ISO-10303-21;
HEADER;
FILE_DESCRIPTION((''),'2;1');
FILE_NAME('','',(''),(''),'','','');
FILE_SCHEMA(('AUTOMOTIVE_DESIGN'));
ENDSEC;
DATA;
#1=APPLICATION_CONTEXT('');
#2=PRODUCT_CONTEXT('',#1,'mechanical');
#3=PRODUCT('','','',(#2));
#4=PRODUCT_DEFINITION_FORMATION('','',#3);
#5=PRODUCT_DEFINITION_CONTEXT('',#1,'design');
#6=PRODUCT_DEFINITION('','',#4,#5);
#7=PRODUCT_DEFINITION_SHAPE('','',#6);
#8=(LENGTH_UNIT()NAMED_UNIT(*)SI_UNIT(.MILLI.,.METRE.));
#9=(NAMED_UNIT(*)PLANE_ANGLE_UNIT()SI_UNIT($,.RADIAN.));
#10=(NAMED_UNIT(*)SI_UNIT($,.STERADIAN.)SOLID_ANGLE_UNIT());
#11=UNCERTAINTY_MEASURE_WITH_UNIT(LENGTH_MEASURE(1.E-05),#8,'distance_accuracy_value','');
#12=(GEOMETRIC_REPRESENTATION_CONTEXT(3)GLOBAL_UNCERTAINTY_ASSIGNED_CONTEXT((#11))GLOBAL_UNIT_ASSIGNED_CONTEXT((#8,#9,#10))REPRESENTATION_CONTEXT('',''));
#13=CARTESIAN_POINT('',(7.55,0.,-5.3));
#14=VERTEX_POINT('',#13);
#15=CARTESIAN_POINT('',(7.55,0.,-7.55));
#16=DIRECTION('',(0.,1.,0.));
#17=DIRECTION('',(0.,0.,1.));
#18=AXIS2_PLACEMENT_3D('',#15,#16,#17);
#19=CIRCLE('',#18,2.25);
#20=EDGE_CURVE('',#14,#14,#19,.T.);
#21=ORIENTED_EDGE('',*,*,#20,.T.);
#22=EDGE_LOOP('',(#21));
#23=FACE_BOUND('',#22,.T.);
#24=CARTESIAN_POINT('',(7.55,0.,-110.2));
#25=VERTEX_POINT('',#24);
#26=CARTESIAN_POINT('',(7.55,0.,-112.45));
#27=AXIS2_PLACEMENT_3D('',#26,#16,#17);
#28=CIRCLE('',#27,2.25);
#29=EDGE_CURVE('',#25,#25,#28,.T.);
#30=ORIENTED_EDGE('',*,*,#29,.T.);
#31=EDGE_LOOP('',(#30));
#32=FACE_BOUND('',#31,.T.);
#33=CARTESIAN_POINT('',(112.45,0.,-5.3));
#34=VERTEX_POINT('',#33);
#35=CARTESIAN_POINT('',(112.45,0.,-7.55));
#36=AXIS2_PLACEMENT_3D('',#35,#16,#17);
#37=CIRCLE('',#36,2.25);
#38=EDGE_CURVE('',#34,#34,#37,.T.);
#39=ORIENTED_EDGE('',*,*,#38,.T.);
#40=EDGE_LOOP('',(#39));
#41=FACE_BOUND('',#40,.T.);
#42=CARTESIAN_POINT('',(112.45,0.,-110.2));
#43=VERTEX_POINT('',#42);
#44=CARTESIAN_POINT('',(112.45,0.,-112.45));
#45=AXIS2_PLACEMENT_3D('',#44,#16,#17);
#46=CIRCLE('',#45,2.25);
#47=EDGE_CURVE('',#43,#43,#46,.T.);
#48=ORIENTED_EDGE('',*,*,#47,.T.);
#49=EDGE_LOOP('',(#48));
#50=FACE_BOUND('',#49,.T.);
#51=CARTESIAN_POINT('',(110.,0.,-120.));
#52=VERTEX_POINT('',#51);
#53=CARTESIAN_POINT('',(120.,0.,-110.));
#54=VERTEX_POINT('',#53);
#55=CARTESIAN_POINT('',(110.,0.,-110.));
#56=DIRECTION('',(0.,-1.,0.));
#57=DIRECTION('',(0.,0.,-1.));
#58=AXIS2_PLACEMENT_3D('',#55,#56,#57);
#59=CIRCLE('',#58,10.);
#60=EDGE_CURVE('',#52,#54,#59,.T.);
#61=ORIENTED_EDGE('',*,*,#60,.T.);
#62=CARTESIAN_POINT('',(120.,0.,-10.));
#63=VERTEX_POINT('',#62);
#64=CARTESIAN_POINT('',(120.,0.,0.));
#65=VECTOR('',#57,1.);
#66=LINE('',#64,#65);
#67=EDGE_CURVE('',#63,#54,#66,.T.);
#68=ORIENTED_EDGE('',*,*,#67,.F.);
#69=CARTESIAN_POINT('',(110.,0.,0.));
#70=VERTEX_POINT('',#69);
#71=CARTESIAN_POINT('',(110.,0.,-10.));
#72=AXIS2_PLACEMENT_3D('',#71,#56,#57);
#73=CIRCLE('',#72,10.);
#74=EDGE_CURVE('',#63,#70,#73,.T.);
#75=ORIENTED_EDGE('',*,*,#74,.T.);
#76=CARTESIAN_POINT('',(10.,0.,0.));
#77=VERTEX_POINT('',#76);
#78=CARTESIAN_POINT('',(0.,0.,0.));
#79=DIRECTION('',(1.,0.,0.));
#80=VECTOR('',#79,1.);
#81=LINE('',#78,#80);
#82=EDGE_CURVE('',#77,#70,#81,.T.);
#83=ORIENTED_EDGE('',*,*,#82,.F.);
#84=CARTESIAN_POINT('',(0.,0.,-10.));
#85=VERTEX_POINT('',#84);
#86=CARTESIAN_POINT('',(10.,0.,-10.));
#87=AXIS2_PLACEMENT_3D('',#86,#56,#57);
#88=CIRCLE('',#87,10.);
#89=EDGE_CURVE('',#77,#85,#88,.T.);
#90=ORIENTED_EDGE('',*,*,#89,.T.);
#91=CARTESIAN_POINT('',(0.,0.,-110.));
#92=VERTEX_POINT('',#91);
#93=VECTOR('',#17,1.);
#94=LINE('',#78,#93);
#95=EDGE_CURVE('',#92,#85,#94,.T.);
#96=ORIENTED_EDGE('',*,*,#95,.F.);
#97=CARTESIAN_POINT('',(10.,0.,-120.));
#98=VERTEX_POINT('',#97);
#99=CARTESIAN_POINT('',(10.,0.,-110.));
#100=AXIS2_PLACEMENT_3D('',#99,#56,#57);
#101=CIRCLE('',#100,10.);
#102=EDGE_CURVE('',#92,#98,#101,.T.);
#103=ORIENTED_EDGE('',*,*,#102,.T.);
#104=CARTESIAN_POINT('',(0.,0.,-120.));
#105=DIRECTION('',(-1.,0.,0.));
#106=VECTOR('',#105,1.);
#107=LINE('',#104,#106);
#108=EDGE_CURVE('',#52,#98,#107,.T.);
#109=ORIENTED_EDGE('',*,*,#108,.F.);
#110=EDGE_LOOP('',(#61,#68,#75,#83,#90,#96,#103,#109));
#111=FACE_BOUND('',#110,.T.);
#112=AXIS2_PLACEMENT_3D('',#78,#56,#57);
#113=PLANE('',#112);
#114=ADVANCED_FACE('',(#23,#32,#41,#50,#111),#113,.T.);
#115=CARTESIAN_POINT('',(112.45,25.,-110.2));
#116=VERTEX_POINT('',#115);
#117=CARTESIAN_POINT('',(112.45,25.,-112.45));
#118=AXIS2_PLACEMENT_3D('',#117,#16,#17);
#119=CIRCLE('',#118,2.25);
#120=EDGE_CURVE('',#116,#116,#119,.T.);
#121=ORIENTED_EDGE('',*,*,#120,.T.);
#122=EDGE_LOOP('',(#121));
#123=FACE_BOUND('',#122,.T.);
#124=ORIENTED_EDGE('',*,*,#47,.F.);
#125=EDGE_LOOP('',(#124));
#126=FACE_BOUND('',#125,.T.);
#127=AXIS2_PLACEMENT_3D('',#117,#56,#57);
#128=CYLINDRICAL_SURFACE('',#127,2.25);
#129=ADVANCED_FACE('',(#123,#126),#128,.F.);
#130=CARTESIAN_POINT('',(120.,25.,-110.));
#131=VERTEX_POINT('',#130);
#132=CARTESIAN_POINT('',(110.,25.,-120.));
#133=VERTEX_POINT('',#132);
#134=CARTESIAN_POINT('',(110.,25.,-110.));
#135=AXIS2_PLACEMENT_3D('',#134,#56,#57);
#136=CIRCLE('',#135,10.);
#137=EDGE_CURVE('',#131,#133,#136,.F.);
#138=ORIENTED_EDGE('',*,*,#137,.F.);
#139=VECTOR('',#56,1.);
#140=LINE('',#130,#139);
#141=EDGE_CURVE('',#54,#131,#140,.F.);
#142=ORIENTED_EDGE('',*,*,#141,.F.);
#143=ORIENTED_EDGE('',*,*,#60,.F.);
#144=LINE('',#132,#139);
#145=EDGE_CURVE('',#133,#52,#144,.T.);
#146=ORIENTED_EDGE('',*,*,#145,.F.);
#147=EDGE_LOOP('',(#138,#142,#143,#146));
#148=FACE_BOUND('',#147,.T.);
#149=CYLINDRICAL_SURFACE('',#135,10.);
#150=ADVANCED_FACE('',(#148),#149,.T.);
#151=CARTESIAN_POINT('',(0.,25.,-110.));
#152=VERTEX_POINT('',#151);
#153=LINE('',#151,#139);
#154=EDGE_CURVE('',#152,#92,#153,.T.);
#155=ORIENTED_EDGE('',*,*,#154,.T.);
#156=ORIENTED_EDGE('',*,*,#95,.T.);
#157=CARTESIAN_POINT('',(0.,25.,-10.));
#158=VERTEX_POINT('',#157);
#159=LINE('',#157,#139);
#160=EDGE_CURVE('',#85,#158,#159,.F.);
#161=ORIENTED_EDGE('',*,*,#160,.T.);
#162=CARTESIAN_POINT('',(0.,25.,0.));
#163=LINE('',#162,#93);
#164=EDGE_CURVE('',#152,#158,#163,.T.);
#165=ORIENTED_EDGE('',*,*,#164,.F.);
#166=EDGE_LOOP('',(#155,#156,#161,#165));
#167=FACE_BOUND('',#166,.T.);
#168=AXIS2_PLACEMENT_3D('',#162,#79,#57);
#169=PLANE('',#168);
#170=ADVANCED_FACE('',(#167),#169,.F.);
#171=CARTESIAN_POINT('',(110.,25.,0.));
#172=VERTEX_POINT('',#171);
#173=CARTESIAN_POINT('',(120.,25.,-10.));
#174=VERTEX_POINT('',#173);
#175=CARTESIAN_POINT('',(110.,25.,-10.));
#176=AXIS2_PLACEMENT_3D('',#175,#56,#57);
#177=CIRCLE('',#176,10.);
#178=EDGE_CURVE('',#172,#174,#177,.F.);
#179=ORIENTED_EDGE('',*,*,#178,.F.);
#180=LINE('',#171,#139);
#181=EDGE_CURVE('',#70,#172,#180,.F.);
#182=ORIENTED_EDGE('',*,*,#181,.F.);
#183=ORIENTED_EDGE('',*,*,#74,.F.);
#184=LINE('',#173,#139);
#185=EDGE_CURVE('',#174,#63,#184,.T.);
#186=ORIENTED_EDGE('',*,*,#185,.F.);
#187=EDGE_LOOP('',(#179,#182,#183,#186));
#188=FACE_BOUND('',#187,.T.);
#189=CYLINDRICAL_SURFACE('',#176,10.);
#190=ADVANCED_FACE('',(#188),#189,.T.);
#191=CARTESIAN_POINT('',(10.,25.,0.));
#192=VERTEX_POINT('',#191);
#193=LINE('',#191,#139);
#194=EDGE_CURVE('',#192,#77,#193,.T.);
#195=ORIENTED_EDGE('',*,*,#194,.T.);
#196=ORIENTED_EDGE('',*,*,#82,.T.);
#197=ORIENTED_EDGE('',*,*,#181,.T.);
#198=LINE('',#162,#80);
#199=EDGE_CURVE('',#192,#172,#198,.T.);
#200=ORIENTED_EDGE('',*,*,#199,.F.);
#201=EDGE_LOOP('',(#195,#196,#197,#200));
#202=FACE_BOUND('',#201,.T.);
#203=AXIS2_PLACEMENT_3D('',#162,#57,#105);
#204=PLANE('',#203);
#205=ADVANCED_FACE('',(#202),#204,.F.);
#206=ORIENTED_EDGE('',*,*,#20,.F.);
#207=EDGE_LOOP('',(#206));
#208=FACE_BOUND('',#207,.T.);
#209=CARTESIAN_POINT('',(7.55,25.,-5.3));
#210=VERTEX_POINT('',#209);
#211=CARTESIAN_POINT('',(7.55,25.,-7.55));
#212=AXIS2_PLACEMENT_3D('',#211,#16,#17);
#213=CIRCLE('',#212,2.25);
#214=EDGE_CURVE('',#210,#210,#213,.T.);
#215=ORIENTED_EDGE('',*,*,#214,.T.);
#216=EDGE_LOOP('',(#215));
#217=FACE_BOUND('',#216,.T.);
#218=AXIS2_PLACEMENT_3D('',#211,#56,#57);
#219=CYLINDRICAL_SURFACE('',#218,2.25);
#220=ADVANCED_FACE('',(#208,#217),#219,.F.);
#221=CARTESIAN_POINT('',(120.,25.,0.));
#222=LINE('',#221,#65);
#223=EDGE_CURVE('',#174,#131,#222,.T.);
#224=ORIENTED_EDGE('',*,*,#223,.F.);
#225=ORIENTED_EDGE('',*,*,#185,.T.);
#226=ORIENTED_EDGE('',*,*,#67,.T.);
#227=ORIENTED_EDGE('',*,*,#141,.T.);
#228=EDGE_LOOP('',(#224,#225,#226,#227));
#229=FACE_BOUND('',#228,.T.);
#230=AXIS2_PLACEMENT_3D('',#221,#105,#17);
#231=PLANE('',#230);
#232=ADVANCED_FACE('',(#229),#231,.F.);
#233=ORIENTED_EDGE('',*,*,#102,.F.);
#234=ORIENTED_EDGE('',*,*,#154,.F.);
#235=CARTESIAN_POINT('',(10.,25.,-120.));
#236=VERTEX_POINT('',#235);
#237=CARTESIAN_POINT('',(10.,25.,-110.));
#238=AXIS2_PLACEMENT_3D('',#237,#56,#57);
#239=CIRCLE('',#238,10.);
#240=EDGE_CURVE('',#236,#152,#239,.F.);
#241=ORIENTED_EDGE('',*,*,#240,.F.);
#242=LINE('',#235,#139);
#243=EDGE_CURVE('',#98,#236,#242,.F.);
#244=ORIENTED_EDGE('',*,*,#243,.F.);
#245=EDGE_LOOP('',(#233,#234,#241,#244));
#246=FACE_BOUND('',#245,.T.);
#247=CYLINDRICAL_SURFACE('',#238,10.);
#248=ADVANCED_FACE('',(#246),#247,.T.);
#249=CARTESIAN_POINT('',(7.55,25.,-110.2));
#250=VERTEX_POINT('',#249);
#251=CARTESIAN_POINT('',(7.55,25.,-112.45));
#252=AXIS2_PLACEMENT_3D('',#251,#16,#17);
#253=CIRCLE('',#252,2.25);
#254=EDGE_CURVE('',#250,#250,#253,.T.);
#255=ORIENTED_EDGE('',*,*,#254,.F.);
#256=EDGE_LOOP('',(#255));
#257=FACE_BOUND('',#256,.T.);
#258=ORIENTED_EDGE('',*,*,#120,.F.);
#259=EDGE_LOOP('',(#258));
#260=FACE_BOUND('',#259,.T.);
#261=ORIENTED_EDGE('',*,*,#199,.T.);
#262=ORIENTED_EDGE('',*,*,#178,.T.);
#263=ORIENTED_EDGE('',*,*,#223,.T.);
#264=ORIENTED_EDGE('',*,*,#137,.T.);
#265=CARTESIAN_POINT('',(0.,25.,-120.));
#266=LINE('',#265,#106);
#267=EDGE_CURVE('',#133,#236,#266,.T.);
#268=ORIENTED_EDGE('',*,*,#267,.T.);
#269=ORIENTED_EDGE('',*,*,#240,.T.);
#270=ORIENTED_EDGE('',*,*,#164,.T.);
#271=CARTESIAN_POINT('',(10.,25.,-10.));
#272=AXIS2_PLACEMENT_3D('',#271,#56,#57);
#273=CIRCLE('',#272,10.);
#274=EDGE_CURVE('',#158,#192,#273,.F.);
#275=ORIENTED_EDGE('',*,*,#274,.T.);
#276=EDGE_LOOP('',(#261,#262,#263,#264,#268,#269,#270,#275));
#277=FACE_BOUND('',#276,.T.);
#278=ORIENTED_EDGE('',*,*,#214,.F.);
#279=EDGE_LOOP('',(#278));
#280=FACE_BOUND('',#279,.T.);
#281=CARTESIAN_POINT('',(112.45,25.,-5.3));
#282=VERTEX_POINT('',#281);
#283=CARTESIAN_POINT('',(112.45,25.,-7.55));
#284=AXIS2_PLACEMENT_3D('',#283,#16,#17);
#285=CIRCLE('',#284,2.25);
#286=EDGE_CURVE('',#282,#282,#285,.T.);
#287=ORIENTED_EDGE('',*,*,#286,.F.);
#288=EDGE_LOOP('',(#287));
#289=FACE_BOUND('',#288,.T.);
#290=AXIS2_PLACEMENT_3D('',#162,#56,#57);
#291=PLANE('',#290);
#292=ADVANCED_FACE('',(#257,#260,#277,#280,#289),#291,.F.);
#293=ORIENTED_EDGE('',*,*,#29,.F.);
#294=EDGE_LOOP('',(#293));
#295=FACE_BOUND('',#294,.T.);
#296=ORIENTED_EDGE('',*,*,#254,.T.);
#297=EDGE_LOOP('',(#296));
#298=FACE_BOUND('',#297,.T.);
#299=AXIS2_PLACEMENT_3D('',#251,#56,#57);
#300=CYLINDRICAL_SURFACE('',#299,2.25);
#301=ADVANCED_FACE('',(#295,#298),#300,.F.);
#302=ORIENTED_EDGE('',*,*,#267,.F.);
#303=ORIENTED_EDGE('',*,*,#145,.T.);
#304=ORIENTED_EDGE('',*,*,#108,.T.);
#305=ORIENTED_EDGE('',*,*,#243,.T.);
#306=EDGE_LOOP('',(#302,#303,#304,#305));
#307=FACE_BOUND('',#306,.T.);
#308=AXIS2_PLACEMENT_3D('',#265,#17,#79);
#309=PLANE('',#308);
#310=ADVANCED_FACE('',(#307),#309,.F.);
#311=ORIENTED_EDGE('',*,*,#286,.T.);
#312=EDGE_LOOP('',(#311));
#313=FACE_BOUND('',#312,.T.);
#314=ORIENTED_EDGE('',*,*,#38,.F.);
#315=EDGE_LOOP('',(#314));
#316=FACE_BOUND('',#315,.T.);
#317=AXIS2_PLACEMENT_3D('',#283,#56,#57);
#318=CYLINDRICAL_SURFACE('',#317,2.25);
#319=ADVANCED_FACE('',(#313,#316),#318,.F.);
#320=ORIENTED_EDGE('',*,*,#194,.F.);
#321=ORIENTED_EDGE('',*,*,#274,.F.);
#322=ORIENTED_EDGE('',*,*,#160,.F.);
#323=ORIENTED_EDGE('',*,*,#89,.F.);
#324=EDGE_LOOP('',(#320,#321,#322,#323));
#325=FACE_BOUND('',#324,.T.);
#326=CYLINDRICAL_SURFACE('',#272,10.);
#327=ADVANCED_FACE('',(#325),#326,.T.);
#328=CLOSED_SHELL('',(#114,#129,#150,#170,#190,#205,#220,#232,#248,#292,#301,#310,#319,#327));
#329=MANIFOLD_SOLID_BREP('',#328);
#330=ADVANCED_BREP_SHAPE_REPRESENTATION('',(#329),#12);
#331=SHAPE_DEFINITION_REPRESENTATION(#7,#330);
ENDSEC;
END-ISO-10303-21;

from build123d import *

# Parameters (mm, degrees)
SKETCH_1_W      = 120
SKETCH_1_H      = 120
SKETCH_1_R      = 2.25
EXTRUDE_1_DEPTH = 25
FILLET_1_R      = 10


with BuildPart() as part:
    # Эскиз1 → Бобышка-Вытянуть1 (new body)
    with BuildSketch(Plane(origin=(0, 0, 0), x_dir=(1, 0, 0), z_dir=(0, 1, 0))):
        with Locations((60, 60)):
            Rectangle(SKETCH_1_W, SKETCH_1_H)
        with Locations((7.55, 112.45)):
            Circle(SKETCH_1_R, mode=Mode.SUBTRACT)
        with Locations((112.45, 112.45)):
            Circle(SKETCH_1_R, mode=Mode.SUBTRACT)
        with Locations((112.45, 7.55)):
            Circle(SKETCH_1_R, mode=Mode.SUBTRACT)
        with Locations((7.55, 7.55)):
            Circle(SKETCH_1_R, mode=Mode.SUBTRACT)
    extrude(amount=EXTRUDE_1_DEPTH)

    # Скругление1
    fillet_1_edges = [part.edges().sort_by_distance(p)[0] for p in [
        (0, 12.5, -120),
        (120, 12.5, -120),
        (120, 12.5, 0),
        (0, 12.5, 0),
    ]]
    fillet(fillet_1_edges, radius=FILLET_1_R)


solid = part.part
